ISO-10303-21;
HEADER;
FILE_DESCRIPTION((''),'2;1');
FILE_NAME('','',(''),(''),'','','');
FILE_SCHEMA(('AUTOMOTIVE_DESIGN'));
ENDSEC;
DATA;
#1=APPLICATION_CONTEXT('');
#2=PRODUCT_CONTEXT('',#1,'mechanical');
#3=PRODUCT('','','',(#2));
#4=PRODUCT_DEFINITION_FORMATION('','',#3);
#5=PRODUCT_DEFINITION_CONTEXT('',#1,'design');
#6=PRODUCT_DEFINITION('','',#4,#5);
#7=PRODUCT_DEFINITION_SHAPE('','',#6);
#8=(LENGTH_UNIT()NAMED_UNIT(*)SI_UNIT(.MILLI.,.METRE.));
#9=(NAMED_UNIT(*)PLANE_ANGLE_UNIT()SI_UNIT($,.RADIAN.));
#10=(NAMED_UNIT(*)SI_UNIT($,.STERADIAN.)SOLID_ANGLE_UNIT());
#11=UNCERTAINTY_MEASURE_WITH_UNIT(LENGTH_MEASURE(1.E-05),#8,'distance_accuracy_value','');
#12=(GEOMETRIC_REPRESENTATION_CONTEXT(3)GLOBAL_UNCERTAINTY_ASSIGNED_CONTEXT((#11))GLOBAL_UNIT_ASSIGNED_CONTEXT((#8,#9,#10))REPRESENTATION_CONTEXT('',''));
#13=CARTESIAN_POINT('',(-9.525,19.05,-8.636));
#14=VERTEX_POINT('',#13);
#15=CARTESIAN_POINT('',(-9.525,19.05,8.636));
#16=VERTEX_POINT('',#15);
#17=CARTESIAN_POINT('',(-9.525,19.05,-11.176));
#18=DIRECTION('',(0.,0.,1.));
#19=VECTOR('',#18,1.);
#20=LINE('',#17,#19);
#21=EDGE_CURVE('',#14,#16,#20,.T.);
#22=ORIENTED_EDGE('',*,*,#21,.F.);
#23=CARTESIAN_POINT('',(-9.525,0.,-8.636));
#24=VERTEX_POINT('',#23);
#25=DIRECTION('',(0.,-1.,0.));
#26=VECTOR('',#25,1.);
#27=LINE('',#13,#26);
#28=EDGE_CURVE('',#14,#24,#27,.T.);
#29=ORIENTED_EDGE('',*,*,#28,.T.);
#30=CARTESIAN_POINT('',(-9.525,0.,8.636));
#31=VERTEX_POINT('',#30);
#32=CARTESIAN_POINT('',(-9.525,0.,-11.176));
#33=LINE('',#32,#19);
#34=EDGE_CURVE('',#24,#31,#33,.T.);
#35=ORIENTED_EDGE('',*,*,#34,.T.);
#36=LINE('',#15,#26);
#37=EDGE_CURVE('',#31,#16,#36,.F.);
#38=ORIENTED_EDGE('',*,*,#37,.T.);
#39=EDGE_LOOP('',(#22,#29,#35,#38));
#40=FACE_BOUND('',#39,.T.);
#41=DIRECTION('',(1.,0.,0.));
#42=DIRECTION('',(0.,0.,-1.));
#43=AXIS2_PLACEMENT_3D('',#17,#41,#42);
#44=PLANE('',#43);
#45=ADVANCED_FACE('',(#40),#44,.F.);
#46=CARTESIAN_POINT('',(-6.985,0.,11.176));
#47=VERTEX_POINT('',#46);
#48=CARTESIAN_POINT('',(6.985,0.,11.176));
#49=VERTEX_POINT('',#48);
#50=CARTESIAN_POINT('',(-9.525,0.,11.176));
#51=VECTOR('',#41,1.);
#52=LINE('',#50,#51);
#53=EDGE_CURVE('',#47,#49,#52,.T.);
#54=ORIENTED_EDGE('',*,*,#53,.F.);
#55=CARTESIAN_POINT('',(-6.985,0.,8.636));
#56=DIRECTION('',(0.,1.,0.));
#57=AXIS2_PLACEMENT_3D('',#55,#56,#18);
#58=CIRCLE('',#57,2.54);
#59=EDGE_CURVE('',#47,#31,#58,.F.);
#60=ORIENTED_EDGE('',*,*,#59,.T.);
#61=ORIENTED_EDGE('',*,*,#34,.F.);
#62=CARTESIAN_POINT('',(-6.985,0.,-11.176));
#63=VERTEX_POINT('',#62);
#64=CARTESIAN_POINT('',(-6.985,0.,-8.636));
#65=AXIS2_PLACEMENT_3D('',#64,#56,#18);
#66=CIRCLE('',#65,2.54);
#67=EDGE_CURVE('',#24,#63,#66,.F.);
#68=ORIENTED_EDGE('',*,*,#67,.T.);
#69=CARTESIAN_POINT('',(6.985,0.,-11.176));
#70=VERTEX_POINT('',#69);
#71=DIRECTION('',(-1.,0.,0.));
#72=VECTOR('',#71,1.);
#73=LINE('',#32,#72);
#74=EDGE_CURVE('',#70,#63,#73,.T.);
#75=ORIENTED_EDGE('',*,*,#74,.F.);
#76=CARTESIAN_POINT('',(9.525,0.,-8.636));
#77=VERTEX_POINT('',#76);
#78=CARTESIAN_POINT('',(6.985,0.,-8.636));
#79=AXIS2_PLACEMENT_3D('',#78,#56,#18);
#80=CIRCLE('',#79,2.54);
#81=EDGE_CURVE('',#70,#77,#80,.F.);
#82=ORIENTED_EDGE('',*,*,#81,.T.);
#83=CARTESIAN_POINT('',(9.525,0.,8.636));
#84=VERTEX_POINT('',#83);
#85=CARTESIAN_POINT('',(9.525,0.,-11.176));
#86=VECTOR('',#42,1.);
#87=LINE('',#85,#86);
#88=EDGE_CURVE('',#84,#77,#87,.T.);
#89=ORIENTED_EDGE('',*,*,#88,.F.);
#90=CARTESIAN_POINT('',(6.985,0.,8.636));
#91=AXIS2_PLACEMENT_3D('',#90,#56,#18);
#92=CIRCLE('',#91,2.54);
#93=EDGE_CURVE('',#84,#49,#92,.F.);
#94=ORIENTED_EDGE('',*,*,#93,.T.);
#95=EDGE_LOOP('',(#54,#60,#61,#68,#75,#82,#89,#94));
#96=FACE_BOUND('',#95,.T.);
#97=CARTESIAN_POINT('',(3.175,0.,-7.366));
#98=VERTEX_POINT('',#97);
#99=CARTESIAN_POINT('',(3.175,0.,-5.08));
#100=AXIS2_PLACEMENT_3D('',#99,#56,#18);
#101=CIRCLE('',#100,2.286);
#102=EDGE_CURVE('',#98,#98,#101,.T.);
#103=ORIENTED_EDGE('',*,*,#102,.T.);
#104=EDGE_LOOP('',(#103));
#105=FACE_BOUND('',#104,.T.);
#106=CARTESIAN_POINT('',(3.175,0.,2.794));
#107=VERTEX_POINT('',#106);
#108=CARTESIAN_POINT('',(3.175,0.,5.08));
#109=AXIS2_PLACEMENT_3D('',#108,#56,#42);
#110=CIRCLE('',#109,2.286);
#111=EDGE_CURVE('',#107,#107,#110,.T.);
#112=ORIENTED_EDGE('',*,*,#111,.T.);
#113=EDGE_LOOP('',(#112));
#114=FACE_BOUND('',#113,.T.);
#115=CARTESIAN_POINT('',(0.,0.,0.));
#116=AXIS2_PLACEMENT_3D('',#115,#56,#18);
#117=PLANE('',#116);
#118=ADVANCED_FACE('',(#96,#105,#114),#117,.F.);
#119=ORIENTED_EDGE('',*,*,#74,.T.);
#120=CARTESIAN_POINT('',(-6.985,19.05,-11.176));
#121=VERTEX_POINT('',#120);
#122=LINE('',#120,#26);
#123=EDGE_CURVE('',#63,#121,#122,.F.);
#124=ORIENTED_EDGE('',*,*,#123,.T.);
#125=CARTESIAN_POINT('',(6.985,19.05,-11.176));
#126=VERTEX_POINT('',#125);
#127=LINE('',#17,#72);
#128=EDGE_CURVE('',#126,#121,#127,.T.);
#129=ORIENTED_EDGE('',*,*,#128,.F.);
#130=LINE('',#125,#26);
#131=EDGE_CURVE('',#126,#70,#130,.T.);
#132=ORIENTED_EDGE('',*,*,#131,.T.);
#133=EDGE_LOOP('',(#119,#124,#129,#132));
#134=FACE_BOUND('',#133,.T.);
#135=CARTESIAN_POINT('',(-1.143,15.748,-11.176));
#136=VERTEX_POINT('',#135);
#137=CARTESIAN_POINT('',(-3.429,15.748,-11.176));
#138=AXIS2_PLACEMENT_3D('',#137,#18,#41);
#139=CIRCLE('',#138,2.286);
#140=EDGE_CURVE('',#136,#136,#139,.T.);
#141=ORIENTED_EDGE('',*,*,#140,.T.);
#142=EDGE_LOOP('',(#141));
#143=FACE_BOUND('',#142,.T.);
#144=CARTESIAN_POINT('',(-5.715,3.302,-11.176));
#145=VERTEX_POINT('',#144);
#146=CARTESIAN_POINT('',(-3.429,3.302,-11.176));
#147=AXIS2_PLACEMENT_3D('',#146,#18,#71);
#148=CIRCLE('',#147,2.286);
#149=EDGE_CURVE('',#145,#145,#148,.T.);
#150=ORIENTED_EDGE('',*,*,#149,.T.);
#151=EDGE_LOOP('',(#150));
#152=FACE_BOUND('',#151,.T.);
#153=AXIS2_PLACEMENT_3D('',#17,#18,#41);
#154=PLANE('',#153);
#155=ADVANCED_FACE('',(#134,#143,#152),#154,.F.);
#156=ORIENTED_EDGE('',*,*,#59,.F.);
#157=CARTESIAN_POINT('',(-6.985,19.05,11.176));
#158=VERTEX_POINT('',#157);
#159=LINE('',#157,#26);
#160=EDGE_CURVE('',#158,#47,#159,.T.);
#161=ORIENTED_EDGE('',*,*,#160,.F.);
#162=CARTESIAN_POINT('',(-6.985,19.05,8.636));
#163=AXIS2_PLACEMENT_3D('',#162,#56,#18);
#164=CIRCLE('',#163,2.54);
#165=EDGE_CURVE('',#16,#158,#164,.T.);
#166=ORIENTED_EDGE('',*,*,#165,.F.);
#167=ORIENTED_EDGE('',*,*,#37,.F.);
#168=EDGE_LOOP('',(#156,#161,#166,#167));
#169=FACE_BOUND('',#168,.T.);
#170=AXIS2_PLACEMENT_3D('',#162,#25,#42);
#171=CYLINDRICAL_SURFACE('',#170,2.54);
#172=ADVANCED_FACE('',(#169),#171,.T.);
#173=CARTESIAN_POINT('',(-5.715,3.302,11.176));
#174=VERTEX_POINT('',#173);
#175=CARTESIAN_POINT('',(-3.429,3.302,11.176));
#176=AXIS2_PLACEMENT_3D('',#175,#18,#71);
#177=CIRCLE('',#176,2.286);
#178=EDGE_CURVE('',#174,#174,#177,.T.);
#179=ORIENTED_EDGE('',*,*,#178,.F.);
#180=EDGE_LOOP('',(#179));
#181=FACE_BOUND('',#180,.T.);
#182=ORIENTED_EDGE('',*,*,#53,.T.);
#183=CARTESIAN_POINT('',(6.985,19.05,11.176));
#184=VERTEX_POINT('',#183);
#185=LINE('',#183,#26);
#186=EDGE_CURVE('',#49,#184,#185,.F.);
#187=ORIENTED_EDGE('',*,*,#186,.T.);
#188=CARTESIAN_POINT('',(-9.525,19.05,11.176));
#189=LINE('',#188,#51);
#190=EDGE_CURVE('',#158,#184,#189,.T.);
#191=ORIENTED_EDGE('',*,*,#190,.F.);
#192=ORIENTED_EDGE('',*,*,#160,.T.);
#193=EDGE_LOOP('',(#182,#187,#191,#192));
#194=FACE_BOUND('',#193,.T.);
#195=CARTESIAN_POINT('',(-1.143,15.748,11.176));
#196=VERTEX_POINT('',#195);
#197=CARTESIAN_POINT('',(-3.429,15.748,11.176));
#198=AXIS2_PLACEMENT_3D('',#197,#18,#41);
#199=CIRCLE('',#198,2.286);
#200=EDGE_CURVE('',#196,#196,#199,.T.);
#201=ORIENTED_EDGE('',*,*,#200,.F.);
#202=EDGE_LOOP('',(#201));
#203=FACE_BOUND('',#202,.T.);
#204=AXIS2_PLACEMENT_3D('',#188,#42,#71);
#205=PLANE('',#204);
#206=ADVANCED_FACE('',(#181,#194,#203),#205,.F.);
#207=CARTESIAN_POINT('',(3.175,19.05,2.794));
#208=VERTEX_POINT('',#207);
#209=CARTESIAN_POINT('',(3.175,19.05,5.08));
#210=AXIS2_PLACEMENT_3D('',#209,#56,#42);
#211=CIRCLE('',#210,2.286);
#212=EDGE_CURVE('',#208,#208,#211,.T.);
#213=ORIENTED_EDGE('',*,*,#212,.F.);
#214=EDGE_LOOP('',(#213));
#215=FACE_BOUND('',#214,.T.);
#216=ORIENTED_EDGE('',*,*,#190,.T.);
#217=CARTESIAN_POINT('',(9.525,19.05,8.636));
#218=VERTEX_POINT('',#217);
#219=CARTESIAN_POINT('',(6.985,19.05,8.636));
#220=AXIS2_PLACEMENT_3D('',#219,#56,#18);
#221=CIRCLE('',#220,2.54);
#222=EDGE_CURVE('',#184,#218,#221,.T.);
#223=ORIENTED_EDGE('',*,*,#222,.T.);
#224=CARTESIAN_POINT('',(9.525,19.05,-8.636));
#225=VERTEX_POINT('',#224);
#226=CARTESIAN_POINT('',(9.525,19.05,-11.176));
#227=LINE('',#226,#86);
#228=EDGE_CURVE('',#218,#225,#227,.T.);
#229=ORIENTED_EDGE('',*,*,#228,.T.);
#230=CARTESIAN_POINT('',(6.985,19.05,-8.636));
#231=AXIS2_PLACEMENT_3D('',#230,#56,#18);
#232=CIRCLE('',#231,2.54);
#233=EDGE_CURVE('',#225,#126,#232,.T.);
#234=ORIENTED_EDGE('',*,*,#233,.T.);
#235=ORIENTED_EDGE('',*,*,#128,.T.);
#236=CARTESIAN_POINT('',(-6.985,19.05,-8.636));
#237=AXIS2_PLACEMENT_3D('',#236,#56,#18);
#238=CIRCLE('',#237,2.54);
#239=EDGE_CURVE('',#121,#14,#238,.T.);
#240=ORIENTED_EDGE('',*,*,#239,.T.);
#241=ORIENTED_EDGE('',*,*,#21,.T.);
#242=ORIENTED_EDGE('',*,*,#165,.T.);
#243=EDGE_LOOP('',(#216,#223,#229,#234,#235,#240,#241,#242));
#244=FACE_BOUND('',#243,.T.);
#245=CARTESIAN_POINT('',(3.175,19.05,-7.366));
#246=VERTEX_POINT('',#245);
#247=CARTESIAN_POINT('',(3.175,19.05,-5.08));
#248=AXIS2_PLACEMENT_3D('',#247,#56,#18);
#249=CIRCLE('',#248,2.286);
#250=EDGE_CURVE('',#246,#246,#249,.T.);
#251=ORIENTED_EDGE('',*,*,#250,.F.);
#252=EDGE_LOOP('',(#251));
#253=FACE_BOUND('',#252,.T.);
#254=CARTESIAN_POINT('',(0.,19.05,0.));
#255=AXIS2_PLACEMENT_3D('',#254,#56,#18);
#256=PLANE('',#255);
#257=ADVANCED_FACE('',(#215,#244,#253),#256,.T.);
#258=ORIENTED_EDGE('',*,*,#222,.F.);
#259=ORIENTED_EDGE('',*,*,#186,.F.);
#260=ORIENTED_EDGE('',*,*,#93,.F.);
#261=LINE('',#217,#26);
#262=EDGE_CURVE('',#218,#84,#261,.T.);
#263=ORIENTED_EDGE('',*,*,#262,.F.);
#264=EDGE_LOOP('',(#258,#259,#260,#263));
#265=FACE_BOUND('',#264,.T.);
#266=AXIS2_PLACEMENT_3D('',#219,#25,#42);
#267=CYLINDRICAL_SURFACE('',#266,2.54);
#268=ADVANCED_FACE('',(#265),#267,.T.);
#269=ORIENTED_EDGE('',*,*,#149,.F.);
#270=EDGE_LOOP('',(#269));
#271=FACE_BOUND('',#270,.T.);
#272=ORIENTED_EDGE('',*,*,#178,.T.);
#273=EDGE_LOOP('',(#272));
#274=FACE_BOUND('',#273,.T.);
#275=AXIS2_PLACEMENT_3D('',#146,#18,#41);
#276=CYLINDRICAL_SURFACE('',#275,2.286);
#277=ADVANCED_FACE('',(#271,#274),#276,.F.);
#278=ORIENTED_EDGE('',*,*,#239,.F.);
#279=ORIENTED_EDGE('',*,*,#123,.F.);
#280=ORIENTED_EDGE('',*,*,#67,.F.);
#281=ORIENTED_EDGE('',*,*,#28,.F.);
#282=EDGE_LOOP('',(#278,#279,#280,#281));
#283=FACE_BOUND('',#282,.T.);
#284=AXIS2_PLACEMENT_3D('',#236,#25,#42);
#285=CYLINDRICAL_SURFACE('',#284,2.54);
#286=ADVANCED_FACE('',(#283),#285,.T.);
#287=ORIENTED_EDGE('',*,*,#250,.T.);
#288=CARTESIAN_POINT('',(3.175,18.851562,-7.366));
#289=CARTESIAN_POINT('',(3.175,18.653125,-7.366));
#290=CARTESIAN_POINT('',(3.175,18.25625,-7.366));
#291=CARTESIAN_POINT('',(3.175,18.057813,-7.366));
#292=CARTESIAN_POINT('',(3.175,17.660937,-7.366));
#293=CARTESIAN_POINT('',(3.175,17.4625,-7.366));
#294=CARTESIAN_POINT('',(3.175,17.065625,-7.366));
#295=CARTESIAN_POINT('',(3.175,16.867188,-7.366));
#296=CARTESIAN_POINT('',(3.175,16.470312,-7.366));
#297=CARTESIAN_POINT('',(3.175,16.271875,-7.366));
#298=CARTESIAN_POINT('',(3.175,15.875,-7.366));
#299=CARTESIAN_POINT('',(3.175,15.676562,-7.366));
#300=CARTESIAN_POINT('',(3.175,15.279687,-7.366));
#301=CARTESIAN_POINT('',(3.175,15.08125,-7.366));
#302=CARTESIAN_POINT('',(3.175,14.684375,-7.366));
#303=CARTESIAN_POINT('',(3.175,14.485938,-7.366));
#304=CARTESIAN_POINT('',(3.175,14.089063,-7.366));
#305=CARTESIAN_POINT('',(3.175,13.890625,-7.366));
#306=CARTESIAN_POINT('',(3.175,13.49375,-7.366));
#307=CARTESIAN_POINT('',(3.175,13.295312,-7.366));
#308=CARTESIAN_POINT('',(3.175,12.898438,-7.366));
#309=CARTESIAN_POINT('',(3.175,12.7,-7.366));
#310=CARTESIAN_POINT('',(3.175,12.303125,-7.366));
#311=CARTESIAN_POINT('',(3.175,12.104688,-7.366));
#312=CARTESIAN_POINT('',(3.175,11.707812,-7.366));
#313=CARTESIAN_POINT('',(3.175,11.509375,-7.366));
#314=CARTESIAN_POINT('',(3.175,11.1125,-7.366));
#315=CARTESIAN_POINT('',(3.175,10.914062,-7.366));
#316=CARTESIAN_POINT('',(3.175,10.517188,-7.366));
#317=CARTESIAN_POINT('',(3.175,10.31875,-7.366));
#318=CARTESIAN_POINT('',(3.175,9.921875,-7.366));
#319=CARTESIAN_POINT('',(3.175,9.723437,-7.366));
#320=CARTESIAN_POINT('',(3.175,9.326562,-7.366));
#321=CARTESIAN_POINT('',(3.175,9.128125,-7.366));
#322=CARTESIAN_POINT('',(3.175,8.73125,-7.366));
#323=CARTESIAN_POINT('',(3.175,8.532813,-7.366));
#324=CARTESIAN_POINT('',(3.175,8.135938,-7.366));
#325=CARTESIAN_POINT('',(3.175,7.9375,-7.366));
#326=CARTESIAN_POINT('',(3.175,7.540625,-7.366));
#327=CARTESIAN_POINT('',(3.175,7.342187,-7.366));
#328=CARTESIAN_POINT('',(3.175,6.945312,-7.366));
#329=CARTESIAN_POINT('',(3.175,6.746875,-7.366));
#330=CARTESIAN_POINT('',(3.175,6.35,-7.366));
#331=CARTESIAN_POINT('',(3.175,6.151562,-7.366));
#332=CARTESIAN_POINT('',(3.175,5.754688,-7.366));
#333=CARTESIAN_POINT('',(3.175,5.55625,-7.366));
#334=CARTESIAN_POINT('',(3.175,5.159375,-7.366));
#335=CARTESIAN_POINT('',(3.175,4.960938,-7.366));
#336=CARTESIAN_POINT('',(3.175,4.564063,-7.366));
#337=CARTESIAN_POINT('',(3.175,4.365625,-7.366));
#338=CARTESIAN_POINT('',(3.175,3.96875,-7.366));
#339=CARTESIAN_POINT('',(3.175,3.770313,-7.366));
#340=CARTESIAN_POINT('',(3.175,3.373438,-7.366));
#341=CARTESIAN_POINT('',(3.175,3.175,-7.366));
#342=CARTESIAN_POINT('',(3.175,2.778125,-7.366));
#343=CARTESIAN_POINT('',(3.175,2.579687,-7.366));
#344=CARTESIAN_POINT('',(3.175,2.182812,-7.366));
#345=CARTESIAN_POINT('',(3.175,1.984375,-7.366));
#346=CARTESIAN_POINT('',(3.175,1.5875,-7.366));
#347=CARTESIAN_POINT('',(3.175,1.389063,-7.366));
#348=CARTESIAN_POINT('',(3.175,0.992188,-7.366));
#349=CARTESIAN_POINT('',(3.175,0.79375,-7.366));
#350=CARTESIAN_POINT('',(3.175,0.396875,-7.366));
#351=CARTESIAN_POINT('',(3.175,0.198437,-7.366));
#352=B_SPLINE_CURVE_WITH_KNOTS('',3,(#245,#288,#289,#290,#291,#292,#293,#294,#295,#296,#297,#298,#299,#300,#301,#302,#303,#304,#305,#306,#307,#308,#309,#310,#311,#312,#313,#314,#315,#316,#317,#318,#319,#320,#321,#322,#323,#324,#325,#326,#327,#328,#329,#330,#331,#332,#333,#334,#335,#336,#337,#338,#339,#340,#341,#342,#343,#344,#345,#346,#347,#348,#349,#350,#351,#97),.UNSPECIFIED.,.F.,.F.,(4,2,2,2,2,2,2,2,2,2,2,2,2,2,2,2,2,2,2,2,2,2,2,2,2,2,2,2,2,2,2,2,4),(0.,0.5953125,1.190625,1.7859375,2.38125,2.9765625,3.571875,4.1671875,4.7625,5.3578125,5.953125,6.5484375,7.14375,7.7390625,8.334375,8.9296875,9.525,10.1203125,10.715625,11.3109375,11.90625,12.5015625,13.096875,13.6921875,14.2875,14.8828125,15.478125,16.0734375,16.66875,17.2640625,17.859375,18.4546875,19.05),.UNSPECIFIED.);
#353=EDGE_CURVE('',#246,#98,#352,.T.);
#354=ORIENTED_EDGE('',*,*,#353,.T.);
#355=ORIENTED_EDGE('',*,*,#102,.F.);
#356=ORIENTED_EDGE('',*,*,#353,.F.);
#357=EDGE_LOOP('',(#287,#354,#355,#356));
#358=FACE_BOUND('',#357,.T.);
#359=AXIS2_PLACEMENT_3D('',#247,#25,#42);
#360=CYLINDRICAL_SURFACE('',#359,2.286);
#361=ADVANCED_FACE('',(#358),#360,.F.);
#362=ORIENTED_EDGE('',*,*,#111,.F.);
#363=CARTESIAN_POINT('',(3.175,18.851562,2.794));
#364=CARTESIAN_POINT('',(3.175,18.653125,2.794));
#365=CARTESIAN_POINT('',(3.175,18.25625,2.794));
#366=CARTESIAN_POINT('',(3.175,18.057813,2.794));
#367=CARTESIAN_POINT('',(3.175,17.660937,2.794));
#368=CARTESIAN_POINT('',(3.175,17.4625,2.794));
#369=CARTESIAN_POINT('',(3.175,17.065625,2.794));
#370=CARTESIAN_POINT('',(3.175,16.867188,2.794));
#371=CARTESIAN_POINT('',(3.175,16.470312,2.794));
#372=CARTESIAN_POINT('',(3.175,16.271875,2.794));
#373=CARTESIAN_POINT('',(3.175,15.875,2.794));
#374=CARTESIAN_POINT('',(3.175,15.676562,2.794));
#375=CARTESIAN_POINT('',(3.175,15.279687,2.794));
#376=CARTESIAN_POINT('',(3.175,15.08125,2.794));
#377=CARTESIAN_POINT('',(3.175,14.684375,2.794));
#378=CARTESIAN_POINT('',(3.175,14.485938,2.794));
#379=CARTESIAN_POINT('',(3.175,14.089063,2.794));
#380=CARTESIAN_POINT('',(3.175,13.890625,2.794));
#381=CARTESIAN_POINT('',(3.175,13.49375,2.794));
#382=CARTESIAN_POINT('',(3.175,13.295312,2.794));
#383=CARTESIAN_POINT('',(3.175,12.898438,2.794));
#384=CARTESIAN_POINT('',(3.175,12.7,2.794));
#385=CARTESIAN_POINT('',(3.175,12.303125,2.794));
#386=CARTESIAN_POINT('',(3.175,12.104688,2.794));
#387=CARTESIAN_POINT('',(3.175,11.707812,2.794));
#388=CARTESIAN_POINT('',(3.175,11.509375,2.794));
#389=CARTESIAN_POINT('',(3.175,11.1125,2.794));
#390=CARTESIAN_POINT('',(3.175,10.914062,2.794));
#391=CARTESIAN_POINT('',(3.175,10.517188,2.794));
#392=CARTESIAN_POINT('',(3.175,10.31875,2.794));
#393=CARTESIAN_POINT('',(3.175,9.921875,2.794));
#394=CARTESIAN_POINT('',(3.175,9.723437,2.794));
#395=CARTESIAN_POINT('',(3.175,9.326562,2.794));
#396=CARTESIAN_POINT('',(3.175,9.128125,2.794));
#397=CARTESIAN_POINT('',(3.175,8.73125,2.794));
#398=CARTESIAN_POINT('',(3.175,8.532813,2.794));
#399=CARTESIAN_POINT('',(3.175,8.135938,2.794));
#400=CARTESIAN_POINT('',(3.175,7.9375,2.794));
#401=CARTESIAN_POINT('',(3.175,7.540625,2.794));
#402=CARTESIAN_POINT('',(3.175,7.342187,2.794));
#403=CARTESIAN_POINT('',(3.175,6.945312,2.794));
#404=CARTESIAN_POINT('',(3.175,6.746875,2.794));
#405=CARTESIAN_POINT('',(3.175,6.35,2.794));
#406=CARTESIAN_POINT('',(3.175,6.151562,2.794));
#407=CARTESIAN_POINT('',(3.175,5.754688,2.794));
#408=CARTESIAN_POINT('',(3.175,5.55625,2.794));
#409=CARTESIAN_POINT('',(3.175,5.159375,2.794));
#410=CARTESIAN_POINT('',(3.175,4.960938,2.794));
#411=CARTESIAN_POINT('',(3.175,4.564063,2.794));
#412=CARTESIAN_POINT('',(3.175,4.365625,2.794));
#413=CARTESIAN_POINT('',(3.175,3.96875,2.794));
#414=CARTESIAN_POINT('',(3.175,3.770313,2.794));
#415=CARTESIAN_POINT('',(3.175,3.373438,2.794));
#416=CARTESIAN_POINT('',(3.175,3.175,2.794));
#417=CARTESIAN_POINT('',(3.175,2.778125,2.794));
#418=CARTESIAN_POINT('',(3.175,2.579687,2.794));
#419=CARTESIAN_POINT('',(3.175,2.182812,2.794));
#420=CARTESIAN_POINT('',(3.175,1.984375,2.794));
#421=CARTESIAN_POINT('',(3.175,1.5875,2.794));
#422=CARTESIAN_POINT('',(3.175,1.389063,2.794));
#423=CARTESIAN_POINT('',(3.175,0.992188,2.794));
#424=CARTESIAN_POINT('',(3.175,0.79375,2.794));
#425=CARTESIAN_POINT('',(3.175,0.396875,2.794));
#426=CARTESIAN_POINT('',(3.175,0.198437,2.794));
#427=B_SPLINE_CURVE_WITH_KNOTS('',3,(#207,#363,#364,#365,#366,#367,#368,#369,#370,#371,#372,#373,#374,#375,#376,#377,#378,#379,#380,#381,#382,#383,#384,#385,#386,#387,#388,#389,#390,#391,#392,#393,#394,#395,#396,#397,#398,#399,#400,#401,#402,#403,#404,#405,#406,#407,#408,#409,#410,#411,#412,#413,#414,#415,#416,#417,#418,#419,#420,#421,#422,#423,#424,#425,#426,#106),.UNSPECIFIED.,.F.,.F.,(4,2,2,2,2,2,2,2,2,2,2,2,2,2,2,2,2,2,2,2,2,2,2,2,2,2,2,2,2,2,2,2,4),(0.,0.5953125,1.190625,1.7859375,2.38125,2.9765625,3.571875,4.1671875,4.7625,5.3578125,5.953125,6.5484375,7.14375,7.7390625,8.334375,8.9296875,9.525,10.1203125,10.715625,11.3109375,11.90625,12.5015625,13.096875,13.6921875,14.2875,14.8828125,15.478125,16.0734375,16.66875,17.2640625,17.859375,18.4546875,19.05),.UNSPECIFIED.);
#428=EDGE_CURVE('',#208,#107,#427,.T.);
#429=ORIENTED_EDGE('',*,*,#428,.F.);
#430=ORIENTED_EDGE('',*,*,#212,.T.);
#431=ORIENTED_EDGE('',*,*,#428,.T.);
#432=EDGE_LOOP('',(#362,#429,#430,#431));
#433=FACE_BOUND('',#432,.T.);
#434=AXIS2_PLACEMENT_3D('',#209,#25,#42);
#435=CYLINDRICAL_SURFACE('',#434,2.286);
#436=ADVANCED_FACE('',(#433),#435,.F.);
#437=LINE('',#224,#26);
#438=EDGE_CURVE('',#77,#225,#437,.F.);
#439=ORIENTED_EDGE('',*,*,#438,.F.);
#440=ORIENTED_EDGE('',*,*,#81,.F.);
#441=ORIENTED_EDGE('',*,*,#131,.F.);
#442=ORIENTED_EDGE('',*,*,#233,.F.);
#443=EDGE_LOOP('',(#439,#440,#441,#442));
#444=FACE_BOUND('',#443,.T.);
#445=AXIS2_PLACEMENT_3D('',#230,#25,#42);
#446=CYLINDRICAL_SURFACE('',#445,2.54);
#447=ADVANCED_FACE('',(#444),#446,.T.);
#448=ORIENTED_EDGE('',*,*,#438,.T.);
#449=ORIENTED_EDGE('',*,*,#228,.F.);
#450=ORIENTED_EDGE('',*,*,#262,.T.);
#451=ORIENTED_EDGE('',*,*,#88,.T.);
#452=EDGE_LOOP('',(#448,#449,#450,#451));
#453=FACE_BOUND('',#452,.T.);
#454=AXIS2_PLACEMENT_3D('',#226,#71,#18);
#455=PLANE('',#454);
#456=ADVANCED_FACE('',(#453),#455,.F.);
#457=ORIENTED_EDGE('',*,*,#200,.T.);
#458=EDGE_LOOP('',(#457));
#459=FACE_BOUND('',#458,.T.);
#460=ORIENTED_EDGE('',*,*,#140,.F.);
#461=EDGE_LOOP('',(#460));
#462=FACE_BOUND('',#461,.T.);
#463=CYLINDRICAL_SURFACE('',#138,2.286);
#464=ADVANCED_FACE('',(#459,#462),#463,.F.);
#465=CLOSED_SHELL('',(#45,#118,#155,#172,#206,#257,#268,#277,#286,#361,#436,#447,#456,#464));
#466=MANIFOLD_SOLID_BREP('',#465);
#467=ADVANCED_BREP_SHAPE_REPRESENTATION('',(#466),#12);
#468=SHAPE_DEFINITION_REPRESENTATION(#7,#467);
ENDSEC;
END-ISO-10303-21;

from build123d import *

# Parameters (mm, degrees)
SKETCH1_W           = 19.05
SKETCH1_H           = 22.352
SKETCH1_R           = 2.286
BOSS_EXTRUDE1_DEPTH = 19.05
FILLET1_R           = 2.54
FILLET2_R           = 2.54
SKETCH2_R           = 2.286
CUT_EXTRUDE1_DEPTH  = 31.874585487


with BuildPart() as part:
    # Sketch1 → Boss-Extrude1 (new body)
    with BuildSketch(Plane(origin=(0, 0, 0), x_dir=(1, 0, 0), z_dir=(0, 1, 0))):
        Rectangle(SKETCH1_W, SKETCH1_H)
        with Locations(Location((3.175, 5.08, 0), (0, 0, 90))):
            Circle(SKETCH1_R, mode=Mode.SUBTRACT)
        with Locations(Location((3.175, -5.08, 0), (0, 0, 90))):
            Circle(SKETCH1_R, mode=Mode.SUBTRACT)
    extrude(amount=BOSS_EXTRUDE1_DEPTH)

    # Fillet1
    fillet1_edges = [part.edges().sort_by_distance(p)[0] for p in [
        (9.525, 9.525, 11.176),
        (9.525, 9.525, -11.176),
    ]]
    fillet(fillet1_edges, radius=FILLET1_R)

    # Fillet2
    fillet2_edges = [part.edges().sort_by_distance(p)[0] for p in [
        (-9.525, 9.525, 11.176),
        (-9.525, 9.525, -11.176),
    ]]
    fillet(fillet2_edges, radius=FILLET2_R)

    # Sketch2 → Cut-Extrude1 (cut, through all)
    with BuildSketch(Plane.XY.offset(11.176)):
        with Locations((-3.429, 15.748)):
            Circle(SKETCH2_R)
        with Locations(Location((-3.429, 3.302, 0), (0, 0, 180))):
            Circle(SKETCH2_R)
    extrude(amount=-CUT_EXTRUDE1_DEPTH, mode=Mode.SUBTRACT)


solid = part.part
